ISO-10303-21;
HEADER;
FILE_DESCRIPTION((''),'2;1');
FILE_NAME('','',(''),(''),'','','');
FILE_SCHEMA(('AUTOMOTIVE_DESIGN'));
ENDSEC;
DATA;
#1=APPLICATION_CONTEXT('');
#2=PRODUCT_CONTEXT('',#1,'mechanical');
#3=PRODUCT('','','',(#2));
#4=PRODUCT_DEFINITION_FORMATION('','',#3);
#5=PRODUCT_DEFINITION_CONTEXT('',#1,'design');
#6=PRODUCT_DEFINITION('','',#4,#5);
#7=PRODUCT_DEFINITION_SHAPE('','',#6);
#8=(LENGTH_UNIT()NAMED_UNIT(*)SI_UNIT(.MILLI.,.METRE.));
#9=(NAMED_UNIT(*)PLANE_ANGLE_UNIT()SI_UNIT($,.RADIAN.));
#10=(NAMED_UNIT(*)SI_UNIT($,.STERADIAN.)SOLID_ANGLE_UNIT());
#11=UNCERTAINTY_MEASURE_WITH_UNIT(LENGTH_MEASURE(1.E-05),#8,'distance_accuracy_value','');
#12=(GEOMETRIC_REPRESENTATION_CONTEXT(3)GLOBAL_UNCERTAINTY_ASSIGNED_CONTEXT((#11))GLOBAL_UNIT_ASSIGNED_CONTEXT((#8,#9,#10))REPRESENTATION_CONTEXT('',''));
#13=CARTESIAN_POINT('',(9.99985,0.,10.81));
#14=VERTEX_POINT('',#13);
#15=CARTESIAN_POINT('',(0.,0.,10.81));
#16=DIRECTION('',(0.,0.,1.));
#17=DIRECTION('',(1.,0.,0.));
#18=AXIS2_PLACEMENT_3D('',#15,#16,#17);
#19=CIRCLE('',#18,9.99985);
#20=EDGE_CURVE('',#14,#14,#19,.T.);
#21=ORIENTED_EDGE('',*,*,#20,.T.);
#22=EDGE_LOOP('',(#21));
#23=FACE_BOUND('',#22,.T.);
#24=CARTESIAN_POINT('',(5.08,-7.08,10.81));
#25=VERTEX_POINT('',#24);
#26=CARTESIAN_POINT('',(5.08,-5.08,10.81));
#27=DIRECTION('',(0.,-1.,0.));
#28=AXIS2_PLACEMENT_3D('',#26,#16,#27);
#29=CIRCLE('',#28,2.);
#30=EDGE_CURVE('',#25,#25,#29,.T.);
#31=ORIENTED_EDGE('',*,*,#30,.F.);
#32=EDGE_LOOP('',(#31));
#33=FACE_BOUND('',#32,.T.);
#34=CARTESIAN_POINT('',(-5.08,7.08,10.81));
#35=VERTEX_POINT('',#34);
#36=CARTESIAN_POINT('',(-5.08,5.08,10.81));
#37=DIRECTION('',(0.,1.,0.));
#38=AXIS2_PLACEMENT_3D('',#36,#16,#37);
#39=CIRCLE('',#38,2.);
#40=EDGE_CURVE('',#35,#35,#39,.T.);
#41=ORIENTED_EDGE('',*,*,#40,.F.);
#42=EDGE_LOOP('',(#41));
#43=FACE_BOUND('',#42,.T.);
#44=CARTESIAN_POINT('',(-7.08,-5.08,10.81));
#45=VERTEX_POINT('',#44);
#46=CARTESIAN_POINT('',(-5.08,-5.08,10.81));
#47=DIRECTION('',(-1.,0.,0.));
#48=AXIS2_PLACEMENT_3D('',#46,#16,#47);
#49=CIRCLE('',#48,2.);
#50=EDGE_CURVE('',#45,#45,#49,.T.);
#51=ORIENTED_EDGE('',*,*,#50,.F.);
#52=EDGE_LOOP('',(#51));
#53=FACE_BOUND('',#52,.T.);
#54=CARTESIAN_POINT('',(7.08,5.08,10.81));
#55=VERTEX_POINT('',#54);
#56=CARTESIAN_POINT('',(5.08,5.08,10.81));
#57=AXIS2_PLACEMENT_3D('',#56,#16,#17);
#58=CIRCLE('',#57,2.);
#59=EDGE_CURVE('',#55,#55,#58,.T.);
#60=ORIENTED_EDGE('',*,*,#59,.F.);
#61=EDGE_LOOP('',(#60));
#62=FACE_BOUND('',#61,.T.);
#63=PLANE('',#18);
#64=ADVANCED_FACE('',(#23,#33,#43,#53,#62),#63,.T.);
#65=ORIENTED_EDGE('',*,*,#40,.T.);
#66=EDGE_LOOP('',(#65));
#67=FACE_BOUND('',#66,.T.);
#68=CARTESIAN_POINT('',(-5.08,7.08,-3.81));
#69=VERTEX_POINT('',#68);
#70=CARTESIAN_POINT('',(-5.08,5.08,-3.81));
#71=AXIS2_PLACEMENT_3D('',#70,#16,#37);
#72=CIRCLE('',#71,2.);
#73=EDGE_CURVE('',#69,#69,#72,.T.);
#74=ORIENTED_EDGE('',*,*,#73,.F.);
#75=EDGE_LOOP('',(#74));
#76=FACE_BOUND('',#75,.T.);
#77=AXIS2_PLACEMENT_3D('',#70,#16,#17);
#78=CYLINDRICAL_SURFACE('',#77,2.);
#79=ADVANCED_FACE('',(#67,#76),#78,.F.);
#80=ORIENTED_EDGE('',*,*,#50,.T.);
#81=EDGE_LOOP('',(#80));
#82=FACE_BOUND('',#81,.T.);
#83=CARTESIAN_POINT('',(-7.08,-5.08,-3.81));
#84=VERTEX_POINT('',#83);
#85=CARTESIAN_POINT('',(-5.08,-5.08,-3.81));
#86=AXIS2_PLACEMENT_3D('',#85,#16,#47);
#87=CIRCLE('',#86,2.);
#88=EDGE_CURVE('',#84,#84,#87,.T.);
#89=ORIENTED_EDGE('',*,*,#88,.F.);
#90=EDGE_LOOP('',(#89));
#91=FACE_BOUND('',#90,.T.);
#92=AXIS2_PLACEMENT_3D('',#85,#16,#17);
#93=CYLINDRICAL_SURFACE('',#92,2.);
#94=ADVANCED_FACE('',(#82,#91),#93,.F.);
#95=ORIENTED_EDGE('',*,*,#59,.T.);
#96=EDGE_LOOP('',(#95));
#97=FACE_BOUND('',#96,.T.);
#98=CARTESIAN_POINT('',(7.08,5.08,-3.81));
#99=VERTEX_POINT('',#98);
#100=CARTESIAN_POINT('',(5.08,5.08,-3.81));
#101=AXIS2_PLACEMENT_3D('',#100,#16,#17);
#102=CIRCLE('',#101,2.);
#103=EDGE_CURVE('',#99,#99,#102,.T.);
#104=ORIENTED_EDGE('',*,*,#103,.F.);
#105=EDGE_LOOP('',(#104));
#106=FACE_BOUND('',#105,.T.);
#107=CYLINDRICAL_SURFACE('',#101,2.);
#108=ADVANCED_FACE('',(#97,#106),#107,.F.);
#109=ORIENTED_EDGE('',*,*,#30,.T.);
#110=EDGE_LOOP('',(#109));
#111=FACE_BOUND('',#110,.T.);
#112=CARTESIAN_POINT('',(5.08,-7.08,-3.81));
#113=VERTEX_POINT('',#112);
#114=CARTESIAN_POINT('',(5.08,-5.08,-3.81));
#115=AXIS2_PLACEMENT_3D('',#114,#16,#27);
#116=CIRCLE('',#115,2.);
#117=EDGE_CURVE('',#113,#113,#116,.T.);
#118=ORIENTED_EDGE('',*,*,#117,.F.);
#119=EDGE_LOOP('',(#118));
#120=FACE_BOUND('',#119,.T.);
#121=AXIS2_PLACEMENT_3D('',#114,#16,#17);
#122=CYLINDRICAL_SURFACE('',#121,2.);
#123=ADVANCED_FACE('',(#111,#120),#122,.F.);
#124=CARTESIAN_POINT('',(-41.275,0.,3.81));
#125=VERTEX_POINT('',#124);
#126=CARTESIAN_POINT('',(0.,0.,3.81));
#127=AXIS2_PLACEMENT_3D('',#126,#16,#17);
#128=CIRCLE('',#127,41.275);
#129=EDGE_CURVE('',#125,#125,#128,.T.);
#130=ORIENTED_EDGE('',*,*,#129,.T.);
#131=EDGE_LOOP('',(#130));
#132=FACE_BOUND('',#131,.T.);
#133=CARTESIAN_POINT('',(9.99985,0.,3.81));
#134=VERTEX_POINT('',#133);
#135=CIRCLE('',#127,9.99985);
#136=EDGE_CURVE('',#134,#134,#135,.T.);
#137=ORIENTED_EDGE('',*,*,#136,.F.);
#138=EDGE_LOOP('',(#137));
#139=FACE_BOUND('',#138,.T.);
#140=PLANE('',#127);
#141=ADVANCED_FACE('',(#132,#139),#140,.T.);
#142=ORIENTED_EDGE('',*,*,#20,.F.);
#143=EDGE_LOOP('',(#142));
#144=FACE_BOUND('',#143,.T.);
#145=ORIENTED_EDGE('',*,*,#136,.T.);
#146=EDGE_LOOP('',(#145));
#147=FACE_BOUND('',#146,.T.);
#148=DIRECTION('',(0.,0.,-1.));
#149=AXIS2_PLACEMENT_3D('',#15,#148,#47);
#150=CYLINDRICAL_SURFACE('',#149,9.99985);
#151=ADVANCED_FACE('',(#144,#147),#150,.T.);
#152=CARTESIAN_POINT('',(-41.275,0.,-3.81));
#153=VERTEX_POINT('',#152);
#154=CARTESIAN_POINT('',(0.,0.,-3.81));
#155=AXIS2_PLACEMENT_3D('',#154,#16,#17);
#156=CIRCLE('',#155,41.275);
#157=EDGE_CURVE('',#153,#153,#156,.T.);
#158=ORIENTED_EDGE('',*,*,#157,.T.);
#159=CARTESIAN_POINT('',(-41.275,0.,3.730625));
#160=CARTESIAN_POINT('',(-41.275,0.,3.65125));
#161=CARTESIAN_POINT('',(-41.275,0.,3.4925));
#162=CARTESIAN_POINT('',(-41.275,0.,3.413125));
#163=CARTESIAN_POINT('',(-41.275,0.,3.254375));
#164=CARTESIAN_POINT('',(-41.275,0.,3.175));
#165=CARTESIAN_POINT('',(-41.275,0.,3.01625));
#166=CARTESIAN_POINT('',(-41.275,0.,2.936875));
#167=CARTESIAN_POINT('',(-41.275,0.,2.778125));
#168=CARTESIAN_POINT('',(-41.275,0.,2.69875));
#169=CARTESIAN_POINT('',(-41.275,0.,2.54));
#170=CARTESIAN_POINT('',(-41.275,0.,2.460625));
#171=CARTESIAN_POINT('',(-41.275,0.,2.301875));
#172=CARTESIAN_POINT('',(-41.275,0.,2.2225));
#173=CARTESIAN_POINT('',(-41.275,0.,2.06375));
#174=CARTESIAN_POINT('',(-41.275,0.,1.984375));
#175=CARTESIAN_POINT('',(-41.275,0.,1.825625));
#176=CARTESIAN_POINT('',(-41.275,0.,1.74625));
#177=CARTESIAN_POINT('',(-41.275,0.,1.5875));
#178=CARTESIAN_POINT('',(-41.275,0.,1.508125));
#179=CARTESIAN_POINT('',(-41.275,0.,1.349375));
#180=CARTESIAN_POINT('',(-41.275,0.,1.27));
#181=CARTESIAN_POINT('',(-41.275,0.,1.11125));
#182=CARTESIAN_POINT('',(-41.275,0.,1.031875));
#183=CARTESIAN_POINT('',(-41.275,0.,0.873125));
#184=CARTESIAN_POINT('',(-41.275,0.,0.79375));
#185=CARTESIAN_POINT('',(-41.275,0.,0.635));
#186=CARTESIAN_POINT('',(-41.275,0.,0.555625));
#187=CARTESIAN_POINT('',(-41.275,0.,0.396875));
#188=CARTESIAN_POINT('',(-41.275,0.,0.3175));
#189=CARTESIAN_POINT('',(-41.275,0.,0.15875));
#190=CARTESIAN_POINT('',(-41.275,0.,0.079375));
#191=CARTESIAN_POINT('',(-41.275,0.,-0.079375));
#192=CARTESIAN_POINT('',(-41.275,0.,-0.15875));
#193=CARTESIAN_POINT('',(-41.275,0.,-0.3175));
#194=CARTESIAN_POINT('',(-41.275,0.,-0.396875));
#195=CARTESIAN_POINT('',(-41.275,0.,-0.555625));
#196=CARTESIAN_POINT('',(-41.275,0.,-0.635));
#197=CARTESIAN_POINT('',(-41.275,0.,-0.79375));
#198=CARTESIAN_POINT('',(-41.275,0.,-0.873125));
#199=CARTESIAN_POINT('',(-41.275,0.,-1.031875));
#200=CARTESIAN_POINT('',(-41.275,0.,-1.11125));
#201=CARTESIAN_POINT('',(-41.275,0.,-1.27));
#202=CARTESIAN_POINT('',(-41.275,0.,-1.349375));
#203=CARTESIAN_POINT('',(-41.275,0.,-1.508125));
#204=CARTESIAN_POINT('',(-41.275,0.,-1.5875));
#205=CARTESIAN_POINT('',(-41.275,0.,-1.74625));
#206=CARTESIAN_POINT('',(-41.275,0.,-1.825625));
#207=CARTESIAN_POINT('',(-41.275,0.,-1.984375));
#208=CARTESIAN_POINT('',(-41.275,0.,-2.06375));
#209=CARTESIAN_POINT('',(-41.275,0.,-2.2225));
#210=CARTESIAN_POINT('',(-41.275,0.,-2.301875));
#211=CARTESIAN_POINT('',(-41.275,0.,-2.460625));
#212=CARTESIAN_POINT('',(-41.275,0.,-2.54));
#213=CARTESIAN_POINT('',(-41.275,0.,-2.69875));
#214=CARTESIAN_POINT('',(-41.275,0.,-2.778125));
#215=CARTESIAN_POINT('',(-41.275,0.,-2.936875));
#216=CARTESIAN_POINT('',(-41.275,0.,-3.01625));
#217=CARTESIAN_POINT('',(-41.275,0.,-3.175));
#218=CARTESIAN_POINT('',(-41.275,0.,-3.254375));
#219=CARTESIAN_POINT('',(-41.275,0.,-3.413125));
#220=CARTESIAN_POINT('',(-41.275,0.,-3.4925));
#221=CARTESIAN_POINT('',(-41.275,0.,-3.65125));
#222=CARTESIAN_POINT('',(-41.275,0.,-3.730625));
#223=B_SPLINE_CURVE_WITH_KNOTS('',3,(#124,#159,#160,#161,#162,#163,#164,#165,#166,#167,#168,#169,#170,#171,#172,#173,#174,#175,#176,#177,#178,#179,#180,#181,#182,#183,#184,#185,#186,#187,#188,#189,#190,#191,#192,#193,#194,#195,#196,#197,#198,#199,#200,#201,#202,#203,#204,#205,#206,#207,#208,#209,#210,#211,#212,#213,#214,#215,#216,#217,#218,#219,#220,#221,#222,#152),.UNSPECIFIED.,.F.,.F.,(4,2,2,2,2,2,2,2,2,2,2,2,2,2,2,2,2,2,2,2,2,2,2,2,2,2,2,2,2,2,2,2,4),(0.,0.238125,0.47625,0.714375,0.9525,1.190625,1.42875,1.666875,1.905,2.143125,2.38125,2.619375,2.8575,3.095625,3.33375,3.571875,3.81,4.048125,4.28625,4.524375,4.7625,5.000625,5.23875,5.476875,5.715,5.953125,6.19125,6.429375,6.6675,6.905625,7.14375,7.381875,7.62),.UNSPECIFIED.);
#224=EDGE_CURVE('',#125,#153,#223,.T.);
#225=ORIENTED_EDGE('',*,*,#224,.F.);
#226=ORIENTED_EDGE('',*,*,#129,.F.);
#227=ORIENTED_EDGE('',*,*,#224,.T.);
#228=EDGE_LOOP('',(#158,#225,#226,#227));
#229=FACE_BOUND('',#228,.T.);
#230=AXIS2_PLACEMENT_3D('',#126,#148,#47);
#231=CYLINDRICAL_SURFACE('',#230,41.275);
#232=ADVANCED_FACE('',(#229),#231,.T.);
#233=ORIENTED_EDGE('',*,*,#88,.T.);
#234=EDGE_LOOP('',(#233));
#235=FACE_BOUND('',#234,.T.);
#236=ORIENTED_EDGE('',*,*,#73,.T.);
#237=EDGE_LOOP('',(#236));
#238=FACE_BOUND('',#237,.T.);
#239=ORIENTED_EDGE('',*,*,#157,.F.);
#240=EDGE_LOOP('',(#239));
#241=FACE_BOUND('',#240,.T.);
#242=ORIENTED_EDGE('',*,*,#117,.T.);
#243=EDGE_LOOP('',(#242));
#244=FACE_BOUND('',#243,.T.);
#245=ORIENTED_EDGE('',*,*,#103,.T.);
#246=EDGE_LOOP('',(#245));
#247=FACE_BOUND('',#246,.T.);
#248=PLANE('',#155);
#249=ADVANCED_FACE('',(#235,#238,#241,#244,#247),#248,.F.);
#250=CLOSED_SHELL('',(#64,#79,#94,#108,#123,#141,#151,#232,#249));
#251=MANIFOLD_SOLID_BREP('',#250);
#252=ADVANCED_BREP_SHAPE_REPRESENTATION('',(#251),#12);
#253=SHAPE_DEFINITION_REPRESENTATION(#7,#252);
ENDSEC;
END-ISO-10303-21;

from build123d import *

# Parameters (mm, degrees)
SKETCH5_R           = 41.275
BOSS_EXTRUDE1_DEPTH = 3.81
SKETCH7_R           = 9.999849952
BOSS_EXTRUDE2_DEPTH = 7
SKETCH8_R           = 2
CUT_EXTRUDE1_DEPTH  = 61.174709389
CIRPATTERN1_COUNT   = 4


with BuildPart() as part:
    # Sketch5 → Boss-Extrude1 (new, symmetric)
    with BuildSketch(Plane.XY):
        with Locations(Location((0, 0, 0), (0, 0, 180))):
            Circle(SKETCH5_R)
    extrude(amount=BOSS_EXTRUDE1_DEPTH, both=True)

    # Sketch7 → Boss-Extrude2 (add)
    with BuildSketch(Plane.XY.offset(3.81)):
        Circle(SKETCH7_R)
    extrude(amount=BOSS_EXTRUDE2_DEPTH)

    # Sketch8 → Cut-Extrude1 (cut, through all)
    with BuildSketch(Plane.XY.offset(10.81)):
        with Locations((5.08, 5.08)):
            Circle(SKETCH8_R)
    cut_extrude1 = extrude(amount=-CUT_EXTRUDE1_DEPTH, mode=Mode.SUBTRACT)

    # CirPattern1: Cut-Extrude1 ×4 about axis
    cirpattern1_axis = Axis((0, 0, 0), (0, 0, 1))
    for i in range(1, CIRPATTERN1_COUNT):
        add(cut_extrude1.rotate(cirpattern1_axis, i * 360 / CIRPATTERN1_COUNT), mode=Mode.SUBTRACT)


solid = part.part
